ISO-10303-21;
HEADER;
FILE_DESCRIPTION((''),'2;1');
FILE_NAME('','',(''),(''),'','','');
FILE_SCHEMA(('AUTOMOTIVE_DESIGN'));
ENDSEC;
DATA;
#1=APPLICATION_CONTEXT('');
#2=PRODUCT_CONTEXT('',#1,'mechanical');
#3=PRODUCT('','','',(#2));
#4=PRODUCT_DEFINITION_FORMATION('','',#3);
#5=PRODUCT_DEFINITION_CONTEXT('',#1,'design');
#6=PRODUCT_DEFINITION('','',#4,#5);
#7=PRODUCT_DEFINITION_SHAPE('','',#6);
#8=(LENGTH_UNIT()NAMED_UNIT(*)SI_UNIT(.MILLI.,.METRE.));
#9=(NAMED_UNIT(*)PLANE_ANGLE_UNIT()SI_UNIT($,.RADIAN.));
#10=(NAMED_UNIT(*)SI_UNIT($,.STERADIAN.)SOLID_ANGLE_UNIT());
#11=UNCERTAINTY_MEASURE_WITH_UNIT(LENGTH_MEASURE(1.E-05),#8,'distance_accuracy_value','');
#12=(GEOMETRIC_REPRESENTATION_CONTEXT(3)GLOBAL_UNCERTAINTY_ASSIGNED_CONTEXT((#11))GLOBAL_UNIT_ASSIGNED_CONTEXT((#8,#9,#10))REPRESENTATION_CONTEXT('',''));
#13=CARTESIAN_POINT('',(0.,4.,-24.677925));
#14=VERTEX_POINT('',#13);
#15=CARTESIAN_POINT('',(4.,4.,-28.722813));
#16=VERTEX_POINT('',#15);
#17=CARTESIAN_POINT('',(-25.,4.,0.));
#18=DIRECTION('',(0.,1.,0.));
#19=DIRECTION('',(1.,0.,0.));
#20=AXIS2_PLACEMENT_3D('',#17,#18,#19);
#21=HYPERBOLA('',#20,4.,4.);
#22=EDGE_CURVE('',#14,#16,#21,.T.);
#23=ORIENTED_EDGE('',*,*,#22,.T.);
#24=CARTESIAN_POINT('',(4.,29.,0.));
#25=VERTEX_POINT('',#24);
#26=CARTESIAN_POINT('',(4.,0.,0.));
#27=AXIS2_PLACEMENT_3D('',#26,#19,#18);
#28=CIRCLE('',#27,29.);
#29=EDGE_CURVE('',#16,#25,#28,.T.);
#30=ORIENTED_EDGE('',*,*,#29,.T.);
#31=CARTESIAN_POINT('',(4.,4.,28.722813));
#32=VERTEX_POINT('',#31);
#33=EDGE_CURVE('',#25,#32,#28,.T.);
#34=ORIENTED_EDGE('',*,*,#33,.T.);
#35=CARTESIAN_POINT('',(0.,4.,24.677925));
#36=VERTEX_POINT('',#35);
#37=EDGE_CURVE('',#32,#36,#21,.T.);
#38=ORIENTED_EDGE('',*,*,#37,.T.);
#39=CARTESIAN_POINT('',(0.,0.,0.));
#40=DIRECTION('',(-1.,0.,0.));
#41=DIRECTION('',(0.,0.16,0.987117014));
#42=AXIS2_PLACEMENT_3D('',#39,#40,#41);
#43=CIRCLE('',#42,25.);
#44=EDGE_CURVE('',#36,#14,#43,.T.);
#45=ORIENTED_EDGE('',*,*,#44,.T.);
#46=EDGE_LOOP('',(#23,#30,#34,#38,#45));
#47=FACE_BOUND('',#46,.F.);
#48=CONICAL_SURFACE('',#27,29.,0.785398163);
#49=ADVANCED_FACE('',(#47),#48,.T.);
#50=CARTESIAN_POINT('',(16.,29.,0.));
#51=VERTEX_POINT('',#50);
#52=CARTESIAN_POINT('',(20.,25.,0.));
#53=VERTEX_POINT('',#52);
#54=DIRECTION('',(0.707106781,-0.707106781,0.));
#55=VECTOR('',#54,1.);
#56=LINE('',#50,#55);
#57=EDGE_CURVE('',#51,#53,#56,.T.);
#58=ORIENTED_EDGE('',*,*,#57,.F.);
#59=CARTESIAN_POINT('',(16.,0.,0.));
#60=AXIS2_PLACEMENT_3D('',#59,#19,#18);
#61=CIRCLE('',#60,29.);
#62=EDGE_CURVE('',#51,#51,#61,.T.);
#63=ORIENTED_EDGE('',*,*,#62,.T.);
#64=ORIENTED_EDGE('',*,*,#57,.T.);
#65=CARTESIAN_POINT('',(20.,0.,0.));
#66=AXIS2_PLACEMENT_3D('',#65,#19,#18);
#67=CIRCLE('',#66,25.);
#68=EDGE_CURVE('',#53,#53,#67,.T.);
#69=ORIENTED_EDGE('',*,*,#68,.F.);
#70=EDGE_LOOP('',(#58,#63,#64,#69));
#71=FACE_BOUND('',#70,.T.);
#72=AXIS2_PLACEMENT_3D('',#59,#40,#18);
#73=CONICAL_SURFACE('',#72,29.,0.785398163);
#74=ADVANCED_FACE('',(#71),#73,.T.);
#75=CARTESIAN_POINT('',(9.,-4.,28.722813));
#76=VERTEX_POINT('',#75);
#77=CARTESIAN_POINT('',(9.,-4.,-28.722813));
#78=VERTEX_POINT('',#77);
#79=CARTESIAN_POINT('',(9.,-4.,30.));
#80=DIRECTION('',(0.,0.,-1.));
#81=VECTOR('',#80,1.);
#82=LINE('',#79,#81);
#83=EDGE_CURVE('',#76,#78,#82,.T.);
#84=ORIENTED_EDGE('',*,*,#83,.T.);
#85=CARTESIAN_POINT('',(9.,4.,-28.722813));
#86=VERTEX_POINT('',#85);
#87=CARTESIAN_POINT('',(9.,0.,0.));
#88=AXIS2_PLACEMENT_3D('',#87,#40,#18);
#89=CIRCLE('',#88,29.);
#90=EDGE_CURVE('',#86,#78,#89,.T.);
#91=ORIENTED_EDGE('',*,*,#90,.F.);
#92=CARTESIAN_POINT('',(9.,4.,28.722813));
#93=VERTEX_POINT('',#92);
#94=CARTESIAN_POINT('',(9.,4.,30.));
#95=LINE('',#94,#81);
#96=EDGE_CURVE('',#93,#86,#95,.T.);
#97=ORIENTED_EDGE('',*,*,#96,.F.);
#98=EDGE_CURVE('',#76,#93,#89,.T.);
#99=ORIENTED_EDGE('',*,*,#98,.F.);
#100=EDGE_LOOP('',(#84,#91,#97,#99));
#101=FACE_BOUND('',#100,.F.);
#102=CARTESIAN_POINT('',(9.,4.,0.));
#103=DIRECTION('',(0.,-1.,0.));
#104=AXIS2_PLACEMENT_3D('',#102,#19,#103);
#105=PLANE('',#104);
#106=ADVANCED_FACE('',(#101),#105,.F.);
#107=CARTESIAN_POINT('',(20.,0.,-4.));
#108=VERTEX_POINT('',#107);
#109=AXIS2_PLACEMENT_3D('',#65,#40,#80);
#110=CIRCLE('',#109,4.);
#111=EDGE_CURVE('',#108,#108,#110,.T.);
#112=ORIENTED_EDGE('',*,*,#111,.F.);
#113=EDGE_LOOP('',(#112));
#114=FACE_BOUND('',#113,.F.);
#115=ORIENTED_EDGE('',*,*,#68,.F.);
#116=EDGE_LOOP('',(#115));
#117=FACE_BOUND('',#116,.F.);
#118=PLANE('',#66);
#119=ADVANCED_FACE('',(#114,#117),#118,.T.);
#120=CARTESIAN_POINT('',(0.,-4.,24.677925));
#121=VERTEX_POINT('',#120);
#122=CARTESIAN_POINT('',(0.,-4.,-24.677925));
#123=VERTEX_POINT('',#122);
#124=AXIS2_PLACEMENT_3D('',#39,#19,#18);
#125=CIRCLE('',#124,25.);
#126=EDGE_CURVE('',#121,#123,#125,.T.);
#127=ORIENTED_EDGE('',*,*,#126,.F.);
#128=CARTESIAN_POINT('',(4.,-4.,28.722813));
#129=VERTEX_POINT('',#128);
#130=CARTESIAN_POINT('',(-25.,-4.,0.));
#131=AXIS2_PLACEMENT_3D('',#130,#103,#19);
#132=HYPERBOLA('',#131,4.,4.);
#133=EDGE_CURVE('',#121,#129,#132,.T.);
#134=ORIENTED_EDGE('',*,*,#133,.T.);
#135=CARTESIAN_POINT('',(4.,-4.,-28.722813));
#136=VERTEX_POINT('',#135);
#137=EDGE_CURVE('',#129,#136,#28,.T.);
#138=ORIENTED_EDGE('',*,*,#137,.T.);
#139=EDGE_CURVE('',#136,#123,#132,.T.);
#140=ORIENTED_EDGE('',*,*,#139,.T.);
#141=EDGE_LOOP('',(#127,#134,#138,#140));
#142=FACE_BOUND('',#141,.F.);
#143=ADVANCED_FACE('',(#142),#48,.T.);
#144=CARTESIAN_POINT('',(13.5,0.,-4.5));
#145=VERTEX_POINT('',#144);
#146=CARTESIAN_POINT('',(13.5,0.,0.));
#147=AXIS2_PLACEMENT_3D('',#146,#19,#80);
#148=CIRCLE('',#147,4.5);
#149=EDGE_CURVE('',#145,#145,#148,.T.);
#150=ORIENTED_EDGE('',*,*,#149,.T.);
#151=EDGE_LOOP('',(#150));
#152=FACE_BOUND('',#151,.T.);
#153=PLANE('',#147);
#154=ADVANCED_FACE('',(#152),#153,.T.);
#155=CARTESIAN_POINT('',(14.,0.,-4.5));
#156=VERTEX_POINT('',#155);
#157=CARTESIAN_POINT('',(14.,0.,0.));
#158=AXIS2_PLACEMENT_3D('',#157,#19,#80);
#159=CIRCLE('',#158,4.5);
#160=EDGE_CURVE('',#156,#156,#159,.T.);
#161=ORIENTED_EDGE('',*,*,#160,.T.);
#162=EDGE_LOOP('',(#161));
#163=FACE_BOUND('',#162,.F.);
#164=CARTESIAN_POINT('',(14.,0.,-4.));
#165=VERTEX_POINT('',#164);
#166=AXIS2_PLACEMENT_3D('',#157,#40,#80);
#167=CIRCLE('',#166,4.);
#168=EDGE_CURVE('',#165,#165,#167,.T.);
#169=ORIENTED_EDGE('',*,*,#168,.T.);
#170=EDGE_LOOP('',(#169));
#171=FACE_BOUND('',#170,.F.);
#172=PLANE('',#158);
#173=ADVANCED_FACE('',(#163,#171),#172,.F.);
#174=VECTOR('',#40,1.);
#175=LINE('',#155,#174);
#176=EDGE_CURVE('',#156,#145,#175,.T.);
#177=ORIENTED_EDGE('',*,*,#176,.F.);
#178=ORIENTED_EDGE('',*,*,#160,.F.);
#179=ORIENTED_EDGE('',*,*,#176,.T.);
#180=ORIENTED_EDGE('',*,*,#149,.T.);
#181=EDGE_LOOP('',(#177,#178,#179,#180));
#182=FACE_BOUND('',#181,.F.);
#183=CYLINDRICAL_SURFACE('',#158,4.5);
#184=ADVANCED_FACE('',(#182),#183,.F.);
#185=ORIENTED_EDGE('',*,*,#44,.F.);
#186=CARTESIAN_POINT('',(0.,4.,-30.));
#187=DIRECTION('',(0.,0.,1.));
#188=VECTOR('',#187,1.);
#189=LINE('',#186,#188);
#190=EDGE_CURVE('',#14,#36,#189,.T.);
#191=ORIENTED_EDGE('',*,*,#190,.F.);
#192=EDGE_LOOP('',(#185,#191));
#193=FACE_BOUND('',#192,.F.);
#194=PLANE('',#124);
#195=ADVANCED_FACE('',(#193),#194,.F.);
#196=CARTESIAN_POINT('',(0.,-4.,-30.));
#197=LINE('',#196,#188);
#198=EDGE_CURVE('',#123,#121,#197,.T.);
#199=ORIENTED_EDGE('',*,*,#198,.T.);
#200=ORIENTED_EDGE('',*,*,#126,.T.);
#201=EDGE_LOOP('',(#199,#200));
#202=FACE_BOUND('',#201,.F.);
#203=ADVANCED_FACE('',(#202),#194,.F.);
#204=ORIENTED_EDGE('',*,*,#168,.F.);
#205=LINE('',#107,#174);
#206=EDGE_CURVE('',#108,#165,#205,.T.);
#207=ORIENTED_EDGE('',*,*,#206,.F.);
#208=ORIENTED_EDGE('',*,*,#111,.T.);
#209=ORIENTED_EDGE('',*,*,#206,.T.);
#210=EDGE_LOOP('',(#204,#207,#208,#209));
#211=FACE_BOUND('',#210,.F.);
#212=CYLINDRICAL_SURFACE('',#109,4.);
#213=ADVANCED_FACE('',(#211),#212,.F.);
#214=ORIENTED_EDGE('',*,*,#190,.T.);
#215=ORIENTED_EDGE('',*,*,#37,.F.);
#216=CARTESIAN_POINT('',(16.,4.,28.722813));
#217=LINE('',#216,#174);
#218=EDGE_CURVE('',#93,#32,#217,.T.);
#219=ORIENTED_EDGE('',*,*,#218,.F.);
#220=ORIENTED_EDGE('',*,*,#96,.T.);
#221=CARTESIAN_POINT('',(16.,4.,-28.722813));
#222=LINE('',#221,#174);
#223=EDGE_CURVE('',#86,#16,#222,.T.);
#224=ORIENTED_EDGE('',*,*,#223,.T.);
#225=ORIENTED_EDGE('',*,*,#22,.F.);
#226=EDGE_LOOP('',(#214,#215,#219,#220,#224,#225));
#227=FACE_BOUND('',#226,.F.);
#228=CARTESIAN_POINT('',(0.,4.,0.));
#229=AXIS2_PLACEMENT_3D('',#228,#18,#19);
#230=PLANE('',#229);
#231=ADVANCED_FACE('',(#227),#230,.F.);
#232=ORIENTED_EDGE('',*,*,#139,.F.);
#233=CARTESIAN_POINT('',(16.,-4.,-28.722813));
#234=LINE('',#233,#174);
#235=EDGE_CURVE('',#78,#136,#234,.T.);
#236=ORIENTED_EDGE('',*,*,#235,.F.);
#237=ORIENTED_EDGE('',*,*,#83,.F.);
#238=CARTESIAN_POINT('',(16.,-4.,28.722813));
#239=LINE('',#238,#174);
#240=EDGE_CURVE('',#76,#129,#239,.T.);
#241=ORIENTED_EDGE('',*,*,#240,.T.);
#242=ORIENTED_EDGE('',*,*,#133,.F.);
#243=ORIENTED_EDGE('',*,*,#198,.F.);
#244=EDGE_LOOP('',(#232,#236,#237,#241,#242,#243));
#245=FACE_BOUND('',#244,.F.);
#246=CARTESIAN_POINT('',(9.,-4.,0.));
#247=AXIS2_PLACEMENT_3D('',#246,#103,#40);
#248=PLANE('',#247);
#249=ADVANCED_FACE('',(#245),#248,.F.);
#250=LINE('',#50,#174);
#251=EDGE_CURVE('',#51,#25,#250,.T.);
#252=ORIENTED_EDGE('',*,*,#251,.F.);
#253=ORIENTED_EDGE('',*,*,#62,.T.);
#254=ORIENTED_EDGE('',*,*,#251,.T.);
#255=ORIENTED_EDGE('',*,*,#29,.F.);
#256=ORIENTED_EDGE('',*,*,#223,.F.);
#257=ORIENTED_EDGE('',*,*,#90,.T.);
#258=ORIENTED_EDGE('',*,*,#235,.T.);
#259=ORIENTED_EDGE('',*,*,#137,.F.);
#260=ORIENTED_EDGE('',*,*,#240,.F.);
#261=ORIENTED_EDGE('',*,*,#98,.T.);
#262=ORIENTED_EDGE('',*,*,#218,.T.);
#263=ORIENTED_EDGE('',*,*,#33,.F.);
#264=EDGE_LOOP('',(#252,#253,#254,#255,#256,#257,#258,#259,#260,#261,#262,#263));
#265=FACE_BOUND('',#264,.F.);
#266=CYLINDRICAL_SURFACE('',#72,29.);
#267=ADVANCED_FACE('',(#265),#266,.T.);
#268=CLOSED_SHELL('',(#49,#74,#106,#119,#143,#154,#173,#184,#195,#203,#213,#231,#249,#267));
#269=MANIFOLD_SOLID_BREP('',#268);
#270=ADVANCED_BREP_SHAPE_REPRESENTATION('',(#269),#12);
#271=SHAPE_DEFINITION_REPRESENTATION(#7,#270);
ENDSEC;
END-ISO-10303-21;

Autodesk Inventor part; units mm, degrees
ref_plane "YZ Plane" through (0, 0, 0) normal (1, 0, 0) x (0, 1, 0)
ref_plane "XZ Plane" through (0, 0, 0) normal (0, 1, 0) x (-1, 0, 0)
ref_plane "XY Plane" through (0, 0, 0) normal (0, 0, 1) x (1, 0, 0)
sketch "Эскиз4" plane through (0, 0, 0) normal (0, 0, 1) x (1, 0, 0)
  line L0 (0, 0) -> (20, 0)
  line L1 (20, 0) -> (20, 25)
  line L2 (16, 29) -> (4, 29)
  line L3 (0, 25) -> (0, 0)
  line L4 (4, 29) -> (0, 25)
  line L5 (16, 29) -> (20, 25)
  point P0 (20, 29)
  point P1 (0, 29)
  dimension "d20" = 20
  dimension "d21" = 29
  dimension "d22" = 4
  dimension "d23" = 4
  dimension "d24" = 4
  dimension "d25" = 4
revolve "Вращение3" add sketch "Эскиз4" angle 360 about axis through (0, 0, 0) along (1, 0, 0)
sketch "Эскиз5" plane through (0, 0, 0) normal (0, 0, 1) x (1, 0, 0)
  line L0 (0, 4) -> (9, 4)
  line L1 (9, 4) -> (9, -4)
  line L2 (9, -4) -> (0, -4)
  line L3 (0, -4) -> (0, 4)
  point P0 (0, 0)
  point P1 (0, 0)
  dimension "d27" = 9
  dimension "d28" = 8
extrude "Выдавливание2" cut sketch "Эскиз5" along normal through all both and the other way through all
sketch "Эскиз6" plane through (20, 0, 0) normal (1, 0, 0) x (0, 0, -1)
  point P0 (0, 0)
  point P1 (0, 0)
hole "Отверстие1" at (20, 0, 0) direction (-1, 0, 0) diameter 8 depth 6
sketch "Эскиз7" plane through (14, 0, 0) normal (1, 0, 0) x (0, 0, -1)
  circle A0 centre (0, 0) radius 4.5
  dimension "d38" = 9
extrude "Выдавливание3" cut sketch "Эскиз7" against normal blind 0.5
thread "Резьба3" size "M8x1.25" class "6H" standard "ANSI Metric M Profile" full length
equation "\"d23\" = d22"
equation "\"d24\" = d22"
equation "\"d25\" = d24"
properties part number "711133"
